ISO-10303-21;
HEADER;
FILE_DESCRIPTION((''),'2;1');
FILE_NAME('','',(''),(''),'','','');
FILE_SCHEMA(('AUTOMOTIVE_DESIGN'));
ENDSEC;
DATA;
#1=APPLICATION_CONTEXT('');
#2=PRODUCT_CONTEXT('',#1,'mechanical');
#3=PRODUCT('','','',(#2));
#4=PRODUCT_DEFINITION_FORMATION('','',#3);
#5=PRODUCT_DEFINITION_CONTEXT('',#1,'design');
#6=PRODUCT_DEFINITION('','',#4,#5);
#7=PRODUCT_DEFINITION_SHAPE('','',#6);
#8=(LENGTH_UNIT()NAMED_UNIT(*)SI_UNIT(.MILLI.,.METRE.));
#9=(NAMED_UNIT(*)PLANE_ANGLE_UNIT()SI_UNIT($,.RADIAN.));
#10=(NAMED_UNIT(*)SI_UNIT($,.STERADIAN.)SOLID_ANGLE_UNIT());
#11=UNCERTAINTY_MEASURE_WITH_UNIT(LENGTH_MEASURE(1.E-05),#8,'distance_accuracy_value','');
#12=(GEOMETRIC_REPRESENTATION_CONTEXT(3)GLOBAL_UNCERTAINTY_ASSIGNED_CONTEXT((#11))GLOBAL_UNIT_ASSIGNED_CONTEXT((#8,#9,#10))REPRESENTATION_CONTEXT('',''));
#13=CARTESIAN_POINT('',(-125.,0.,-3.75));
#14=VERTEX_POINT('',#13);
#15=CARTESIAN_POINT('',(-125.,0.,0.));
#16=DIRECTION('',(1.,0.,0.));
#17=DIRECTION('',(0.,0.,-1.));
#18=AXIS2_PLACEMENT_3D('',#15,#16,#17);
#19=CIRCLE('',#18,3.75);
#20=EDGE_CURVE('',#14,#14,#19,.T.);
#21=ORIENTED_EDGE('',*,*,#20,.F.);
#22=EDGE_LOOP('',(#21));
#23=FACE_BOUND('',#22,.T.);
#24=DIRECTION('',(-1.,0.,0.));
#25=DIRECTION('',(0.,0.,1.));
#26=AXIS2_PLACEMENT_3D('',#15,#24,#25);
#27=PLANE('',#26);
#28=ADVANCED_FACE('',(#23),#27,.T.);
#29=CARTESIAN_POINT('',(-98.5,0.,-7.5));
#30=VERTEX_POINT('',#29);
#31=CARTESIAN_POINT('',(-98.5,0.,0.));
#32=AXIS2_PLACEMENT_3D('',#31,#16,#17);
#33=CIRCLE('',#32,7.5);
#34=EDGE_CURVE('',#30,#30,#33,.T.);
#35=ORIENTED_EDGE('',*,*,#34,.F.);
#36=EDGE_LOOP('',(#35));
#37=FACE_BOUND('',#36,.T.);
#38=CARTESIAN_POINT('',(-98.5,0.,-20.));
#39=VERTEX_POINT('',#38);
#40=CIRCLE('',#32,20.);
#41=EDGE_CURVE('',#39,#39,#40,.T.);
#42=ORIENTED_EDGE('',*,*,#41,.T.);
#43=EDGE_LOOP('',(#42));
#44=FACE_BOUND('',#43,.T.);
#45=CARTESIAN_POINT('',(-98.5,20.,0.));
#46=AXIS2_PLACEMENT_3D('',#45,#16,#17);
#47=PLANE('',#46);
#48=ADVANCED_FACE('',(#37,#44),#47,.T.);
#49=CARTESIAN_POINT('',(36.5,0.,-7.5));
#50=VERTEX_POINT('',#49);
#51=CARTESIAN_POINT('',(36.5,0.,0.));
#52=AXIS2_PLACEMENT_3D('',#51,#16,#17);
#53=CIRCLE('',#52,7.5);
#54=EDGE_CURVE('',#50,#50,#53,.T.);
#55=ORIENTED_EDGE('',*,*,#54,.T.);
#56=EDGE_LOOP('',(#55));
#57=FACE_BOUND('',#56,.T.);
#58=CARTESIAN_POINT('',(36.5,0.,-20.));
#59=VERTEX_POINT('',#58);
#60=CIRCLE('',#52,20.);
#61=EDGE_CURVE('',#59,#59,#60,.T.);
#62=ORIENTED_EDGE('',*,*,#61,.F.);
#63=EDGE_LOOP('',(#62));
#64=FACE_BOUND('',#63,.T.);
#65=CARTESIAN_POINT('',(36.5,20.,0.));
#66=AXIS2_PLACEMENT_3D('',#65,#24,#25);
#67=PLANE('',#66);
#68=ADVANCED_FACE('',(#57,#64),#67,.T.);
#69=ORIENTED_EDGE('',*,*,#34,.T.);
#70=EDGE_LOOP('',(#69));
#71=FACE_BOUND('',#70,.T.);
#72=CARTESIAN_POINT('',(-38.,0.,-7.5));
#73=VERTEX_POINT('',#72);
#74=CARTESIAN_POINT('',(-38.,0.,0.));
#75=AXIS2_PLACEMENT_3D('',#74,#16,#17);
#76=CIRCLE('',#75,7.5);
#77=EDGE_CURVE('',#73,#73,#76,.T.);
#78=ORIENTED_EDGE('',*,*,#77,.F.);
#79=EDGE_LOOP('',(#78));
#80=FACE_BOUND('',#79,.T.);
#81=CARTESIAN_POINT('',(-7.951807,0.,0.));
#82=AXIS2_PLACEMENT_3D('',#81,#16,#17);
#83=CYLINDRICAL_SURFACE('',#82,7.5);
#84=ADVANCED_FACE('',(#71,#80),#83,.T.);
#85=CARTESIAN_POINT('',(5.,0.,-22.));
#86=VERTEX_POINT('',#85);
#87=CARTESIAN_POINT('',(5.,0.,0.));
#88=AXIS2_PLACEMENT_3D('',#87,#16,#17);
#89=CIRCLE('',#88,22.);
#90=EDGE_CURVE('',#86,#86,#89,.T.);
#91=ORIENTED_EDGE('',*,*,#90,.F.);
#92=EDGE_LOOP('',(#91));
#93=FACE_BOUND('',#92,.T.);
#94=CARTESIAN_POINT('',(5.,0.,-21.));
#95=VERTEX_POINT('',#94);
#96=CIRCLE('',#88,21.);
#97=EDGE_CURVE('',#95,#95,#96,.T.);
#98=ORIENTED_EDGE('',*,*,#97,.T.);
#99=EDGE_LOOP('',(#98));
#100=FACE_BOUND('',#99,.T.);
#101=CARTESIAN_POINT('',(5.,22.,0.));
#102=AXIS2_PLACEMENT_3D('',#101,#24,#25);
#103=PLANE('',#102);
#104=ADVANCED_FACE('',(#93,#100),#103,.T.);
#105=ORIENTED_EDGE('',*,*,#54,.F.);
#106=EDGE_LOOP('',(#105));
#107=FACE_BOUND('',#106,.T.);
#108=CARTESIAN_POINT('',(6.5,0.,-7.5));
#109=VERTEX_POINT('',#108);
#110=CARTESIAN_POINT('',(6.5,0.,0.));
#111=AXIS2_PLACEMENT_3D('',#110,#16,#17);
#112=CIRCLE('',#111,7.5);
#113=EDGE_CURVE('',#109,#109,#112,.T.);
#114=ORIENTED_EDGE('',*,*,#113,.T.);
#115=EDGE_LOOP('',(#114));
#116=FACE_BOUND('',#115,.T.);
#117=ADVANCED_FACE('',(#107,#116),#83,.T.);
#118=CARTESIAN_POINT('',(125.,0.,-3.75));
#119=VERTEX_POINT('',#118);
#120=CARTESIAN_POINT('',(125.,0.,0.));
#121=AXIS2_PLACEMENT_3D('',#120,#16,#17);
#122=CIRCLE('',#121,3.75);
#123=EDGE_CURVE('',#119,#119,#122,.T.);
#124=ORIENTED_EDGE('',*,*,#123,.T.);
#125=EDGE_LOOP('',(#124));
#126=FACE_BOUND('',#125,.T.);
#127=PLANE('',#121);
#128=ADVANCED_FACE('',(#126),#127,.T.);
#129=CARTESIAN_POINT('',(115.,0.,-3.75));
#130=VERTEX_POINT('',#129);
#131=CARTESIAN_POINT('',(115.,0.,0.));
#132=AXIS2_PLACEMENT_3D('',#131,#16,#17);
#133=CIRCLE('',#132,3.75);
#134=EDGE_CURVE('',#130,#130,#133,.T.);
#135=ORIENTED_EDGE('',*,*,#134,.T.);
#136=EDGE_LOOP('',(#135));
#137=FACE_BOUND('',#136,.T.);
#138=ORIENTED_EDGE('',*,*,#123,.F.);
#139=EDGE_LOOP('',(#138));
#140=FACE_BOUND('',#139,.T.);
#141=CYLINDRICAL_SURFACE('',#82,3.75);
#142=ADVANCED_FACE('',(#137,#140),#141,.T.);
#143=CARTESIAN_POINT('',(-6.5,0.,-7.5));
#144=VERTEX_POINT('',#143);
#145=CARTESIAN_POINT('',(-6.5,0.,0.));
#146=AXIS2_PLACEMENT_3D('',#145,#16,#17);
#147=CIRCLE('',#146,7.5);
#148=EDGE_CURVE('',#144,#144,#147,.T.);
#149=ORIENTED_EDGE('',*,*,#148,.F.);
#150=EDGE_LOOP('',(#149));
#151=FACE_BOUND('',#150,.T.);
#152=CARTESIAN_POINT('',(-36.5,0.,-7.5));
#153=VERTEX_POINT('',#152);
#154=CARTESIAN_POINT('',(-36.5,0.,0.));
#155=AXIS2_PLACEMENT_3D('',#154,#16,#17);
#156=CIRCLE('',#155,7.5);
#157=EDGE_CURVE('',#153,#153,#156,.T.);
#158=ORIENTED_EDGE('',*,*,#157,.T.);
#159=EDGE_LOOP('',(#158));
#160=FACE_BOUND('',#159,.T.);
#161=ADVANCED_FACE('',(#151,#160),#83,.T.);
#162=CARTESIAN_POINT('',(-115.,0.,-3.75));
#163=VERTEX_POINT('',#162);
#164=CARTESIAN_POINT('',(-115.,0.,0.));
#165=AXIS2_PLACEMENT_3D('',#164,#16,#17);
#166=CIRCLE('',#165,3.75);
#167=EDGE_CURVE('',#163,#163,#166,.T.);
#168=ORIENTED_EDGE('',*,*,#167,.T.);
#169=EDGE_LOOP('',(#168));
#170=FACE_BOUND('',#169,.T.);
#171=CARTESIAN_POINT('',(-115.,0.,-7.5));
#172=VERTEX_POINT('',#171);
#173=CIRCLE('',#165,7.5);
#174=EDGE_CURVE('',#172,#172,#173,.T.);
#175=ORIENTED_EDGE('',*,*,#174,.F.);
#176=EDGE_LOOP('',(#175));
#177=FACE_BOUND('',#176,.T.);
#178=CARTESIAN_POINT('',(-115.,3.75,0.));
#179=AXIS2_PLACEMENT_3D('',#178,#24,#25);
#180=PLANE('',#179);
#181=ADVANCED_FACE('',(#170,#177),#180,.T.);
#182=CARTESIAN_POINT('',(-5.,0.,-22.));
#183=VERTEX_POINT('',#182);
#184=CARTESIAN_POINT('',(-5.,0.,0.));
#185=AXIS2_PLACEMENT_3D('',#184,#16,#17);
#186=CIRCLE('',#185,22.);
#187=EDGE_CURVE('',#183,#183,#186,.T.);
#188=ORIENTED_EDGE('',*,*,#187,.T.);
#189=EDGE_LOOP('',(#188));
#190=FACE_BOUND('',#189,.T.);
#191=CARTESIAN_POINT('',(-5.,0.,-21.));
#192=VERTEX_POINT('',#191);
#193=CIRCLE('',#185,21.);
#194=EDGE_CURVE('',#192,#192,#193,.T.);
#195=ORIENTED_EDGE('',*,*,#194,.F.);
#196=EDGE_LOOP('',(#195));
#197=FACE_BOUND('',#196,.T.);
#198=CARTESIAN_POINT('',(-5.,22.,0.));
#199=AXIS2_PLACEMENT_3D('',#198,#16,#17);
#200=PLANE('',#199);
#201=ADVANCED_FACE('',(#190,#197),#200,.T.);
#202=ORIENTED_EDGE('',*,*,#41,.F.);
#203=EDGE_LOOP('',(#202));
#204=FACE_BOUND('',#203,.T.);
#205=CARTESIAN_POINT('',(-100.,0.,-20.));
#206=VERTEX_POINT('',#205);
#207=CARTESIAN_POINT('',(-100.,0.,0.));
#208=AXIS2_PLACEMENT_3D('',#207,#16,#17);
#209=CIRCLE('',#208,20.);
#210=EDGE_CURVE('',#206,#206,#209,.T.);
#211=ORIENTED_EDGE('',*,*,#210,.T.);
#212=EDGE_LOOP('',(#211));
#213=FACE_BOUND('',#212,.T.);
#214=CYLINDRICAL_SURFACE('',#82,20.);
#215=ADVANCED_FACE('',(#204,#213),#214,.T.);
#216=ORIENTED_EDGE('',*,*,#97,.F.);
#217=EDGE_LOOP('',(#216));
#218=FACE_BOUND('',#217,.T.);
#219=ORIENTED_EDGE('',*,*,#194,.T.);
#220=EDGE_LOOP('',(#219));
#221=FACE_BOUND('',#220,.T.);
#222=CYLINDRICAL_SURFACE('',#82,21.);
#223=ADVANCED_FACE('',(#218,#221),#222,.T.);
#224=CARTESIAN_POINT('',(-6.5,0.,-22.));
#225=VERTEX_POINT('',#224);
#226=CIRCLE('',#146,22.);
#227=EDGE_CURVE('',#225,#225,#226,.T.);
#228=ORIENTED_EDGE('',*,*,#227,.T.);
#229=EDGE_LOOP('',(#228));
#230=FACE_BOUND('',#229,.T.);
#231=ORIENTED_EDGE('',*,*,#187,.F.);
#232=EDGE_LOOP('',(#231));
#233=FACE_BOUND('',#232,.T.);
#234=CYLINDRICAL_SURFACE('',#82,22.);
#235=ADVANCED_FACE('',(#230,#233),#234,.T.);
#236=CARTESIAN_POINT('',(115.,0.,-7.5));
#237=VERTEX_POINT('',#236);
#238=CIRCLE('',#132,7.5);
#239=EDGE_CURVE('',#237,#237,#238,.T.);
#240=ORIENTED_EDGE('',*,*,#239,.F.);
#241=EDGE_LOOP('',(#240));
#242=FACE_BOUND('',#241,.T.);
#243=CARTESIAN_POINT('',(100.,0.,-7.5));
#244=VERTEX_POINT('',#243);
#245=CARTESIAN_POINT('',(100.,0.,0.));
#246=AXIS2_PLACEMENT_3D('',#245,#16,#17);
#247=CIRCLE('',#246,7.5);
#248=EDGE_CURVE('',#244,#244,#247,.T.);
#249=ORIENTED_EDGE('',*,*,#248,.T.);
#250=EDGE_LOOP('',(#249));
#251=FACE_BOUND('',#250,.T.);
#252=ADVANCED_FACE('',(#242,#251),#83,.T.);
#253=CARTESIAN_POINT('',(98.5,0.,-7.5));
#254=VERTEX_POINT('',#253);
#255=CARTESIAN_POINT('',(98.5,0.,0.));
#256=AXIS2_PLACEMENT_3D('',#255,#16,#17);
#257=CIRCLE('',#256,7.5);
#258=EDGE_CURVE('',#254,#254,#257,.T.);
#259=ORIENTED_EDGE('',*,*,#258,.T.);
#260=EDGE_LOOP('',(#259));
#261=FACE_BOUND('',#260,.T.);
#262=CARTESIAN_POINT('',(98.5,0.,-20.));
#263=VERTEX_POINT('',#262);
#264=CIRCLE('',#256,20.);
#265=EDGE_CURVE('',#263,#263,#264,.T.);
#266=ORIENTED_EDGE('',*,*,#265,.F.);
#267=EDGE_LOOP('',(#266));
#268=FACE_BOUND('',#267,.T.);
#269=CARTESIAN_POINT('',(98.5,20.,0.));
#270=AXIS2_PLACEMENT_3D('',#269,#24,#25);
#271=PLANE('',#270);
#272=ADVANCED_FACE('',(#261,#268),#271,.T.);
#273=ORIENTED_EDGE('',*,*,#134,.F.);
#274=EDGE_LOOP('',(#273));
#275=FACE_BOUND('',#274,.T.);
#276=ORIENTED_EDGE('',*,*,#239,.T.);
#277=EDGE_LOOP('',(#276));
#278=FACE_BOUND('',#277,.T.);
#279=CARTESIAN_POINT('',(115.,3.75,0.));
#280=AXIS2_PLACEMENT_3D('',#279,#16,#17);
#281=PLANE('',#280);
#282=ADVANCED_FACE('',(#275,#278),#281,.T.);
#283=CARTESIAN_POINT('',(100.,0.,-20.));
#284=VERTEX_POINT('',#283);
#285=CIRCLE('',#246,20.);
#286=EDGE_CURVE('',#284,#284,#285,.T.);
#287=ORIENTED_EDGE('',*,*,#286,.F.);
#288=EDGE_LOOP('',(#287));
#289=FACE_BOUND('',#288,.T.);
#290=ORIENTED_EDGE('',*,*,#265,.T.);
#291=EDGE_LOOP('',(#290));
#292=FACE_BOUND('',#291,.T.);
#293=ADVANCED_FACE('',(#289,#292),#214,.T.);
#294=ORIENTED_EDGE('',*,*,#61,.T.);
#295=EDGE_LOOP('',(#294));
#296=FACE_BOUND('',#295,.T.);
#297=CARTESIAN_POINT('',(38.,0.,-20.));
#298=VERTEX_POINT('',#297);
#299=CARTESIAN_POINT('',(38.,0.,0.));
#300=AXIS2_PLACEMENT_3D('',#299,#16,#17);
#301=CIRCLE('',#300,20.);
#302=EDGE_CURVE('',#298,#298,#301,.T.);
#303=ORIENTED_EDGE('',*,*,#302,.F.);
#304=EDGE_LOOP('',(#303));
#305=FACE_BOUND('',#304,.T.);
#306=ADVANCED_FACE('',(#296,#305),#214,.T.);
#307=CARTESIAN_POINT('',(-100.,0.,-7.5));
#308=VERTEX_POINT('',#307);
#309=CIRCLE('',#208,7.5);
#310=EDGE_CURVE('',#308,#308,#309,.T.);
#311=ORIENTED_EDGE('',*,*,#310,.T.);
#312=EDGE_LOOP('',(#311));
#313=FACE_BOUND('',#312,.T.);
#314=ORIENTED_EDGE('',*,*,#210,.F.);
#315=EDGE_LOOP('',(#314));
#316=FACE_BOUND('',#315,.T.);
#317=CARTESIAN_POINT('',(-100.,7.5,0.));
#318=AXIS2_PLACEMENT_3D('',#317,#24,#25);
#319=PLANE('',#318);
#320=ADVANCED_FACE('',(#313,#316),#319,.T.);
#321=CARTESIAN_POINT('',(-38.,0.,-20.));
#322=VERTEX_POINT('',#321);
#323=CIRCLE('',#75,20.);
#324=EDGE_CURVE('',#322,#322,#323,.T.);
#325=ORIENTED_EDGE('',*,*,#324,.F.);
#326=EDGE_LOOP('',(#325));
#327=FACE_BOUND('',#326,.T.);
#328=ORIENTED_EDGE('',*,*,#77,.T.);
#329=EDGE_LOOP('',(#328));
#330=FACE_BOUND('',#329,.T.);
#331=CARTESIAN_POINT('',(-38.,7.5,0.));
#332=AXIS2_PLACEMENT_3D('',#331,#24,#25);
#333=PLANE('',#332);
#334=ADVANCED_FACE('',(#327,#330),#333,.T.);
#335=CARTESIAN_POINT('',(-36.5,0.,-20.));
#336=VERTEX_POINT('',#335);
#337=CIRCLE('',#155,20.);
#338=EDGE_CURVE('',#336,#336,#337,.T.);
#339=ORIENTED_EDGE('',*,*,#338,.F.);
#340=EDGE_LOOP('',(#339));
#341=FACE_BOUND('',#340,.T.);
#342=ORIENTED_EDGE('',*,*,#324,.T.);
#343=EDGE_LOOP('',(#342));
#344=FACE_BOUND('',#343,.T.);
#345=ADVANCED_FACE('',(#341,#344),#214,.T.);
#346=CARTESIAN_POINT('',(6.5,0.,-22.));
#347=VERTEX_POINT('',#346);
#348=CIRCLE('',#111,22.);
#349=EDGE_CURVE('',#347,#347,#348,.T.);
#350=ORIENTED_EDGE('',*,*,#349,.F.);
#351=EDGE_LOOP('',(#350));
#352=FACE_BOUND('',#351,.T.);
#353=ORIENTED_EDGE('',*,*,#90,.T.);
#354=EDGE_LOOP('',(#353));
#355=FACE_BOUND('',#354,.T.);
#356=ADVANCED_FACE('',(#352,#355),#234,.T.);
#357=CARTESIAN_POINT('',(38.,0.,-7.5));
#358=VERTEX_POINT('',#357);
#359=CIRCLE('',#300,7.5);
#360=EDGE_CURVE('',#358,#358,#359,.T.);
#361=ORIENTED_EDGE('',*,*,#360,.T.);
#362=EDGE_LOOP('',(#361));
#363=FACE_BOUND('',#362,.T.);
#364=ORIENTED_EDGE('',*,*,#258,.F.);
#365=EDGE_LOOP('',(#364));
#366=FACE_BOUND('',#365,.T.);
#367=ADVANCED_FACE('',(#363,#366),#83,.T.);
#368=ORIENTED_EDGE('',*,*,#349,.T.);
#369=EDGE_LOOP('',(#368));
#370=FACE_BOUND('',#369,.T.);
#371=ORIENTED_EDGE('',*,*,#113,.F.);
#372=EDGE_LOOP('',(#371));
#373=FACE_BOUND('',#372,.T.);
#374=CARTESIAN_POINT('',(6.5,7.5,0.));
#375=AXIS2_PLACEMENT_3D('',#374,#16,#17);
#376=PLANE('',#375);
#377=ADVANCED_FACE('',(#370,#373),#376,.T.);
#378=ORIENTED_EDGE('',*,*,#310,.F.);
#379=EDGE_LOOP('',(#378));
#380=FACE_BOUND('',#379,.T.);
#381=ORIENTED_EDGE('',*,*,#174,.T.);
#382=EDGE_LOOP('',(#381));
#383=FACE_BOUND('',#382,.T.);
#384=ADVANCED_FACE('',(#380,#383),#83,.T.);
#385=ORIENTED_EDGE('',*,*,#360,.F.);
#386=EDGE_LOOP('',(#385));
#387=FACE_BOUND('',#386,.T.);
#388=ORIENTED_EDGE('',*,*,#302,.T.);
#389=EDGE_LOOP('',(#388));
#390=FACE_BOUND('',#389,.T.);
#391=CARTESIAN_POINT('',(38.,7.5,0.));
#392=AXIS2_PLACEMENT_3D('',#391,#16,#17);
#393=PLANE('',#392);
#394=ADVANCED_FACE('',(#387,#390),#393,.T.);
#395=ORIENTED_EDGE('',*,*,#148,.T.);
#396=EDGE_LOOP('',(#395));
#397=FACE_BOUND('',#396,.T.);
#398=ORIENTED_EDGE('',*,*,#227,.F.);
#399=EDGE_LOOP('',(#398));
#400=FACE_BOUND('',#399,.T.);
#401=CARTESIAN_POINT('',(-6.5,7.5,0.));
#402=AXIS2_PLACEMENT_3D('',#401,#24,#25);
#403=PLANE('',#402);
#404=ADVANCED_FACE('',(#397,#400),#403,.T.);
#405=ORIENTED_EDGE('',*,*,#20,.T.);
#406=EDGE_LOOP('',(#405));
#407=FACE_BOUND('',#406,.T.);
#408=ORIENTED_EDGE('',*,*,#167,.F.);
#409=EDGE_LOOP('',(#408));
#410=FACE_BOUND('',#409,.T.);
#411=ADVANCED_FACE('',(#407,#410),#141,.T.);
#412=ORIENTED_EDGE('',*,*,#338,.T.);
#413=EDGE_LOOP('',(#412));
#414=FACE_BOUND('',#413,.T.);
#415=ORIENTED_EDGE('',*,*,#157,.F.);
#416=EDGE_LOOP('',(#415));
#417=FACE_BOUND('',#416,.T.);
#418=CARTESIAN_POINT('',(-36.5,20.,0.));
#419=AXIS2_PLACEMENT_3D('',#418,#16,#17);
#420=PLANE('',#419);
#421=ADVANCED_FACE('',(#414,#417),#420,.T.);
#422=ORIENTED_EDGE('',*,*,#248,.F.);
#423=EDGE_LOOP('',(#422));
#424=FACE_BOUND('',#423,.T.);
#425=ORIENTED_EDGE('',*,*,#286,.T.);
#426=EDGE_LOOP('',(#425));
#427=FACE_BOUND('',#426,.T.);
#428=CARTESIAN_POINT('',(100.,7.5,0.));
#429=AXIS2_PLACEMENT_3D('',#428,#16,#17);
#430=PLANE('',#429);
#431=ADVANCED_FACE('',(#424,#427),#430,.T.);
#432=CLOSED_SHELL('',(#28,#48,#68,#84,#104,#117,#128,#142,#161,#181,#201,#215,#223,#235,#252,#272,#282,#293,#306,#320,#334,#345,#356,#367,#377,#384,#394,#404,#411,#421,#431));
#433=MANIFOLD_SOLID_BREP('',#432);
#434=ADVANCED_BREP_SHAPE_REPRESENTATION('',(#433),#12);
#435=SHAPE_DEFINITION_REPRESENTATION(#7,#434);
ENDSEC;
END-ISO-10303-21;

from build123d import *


with BuildPart() as part:
    # Sketch1 → Revolve1 (revolve)
    with BuildSketch(Plane.XY, mode=Mode.PRIVATE) as revolve1_sk:
        Polygon((-125, 0), (-125, 3.75), (-115, 3.75), (-115, 7.5), (-100, 7.5), (-100, 20), (-98.5, 20), (-98.5, 7.5), (-38, 7.5), (-38, 20), (-36.5, 20), (-36.5, 7.5), (-6.5, 7.5), (-6.5, 22), (-5, 22), (-5, 21), (5, 21), (5, 22), (6.5, 22), (6.5, 7.5), (36.5, 7.5), (36.5, 20), (38, 20), (38, 7.5), (98.5, 7.5), (98.5, 20), (100, 20), (100, 7.5), (115, 7.5), (115, 3.75), (125, 3.75), (125, 0), align=None)
    revolve(revolve1_sk.sketch.rotate(Axis((-7.951807229, 0, 0), (-1, 0, 0)), 90), axis=Axis((-7.951807229, 0, 0), (-1, 0, 0)))


solid = part.part
